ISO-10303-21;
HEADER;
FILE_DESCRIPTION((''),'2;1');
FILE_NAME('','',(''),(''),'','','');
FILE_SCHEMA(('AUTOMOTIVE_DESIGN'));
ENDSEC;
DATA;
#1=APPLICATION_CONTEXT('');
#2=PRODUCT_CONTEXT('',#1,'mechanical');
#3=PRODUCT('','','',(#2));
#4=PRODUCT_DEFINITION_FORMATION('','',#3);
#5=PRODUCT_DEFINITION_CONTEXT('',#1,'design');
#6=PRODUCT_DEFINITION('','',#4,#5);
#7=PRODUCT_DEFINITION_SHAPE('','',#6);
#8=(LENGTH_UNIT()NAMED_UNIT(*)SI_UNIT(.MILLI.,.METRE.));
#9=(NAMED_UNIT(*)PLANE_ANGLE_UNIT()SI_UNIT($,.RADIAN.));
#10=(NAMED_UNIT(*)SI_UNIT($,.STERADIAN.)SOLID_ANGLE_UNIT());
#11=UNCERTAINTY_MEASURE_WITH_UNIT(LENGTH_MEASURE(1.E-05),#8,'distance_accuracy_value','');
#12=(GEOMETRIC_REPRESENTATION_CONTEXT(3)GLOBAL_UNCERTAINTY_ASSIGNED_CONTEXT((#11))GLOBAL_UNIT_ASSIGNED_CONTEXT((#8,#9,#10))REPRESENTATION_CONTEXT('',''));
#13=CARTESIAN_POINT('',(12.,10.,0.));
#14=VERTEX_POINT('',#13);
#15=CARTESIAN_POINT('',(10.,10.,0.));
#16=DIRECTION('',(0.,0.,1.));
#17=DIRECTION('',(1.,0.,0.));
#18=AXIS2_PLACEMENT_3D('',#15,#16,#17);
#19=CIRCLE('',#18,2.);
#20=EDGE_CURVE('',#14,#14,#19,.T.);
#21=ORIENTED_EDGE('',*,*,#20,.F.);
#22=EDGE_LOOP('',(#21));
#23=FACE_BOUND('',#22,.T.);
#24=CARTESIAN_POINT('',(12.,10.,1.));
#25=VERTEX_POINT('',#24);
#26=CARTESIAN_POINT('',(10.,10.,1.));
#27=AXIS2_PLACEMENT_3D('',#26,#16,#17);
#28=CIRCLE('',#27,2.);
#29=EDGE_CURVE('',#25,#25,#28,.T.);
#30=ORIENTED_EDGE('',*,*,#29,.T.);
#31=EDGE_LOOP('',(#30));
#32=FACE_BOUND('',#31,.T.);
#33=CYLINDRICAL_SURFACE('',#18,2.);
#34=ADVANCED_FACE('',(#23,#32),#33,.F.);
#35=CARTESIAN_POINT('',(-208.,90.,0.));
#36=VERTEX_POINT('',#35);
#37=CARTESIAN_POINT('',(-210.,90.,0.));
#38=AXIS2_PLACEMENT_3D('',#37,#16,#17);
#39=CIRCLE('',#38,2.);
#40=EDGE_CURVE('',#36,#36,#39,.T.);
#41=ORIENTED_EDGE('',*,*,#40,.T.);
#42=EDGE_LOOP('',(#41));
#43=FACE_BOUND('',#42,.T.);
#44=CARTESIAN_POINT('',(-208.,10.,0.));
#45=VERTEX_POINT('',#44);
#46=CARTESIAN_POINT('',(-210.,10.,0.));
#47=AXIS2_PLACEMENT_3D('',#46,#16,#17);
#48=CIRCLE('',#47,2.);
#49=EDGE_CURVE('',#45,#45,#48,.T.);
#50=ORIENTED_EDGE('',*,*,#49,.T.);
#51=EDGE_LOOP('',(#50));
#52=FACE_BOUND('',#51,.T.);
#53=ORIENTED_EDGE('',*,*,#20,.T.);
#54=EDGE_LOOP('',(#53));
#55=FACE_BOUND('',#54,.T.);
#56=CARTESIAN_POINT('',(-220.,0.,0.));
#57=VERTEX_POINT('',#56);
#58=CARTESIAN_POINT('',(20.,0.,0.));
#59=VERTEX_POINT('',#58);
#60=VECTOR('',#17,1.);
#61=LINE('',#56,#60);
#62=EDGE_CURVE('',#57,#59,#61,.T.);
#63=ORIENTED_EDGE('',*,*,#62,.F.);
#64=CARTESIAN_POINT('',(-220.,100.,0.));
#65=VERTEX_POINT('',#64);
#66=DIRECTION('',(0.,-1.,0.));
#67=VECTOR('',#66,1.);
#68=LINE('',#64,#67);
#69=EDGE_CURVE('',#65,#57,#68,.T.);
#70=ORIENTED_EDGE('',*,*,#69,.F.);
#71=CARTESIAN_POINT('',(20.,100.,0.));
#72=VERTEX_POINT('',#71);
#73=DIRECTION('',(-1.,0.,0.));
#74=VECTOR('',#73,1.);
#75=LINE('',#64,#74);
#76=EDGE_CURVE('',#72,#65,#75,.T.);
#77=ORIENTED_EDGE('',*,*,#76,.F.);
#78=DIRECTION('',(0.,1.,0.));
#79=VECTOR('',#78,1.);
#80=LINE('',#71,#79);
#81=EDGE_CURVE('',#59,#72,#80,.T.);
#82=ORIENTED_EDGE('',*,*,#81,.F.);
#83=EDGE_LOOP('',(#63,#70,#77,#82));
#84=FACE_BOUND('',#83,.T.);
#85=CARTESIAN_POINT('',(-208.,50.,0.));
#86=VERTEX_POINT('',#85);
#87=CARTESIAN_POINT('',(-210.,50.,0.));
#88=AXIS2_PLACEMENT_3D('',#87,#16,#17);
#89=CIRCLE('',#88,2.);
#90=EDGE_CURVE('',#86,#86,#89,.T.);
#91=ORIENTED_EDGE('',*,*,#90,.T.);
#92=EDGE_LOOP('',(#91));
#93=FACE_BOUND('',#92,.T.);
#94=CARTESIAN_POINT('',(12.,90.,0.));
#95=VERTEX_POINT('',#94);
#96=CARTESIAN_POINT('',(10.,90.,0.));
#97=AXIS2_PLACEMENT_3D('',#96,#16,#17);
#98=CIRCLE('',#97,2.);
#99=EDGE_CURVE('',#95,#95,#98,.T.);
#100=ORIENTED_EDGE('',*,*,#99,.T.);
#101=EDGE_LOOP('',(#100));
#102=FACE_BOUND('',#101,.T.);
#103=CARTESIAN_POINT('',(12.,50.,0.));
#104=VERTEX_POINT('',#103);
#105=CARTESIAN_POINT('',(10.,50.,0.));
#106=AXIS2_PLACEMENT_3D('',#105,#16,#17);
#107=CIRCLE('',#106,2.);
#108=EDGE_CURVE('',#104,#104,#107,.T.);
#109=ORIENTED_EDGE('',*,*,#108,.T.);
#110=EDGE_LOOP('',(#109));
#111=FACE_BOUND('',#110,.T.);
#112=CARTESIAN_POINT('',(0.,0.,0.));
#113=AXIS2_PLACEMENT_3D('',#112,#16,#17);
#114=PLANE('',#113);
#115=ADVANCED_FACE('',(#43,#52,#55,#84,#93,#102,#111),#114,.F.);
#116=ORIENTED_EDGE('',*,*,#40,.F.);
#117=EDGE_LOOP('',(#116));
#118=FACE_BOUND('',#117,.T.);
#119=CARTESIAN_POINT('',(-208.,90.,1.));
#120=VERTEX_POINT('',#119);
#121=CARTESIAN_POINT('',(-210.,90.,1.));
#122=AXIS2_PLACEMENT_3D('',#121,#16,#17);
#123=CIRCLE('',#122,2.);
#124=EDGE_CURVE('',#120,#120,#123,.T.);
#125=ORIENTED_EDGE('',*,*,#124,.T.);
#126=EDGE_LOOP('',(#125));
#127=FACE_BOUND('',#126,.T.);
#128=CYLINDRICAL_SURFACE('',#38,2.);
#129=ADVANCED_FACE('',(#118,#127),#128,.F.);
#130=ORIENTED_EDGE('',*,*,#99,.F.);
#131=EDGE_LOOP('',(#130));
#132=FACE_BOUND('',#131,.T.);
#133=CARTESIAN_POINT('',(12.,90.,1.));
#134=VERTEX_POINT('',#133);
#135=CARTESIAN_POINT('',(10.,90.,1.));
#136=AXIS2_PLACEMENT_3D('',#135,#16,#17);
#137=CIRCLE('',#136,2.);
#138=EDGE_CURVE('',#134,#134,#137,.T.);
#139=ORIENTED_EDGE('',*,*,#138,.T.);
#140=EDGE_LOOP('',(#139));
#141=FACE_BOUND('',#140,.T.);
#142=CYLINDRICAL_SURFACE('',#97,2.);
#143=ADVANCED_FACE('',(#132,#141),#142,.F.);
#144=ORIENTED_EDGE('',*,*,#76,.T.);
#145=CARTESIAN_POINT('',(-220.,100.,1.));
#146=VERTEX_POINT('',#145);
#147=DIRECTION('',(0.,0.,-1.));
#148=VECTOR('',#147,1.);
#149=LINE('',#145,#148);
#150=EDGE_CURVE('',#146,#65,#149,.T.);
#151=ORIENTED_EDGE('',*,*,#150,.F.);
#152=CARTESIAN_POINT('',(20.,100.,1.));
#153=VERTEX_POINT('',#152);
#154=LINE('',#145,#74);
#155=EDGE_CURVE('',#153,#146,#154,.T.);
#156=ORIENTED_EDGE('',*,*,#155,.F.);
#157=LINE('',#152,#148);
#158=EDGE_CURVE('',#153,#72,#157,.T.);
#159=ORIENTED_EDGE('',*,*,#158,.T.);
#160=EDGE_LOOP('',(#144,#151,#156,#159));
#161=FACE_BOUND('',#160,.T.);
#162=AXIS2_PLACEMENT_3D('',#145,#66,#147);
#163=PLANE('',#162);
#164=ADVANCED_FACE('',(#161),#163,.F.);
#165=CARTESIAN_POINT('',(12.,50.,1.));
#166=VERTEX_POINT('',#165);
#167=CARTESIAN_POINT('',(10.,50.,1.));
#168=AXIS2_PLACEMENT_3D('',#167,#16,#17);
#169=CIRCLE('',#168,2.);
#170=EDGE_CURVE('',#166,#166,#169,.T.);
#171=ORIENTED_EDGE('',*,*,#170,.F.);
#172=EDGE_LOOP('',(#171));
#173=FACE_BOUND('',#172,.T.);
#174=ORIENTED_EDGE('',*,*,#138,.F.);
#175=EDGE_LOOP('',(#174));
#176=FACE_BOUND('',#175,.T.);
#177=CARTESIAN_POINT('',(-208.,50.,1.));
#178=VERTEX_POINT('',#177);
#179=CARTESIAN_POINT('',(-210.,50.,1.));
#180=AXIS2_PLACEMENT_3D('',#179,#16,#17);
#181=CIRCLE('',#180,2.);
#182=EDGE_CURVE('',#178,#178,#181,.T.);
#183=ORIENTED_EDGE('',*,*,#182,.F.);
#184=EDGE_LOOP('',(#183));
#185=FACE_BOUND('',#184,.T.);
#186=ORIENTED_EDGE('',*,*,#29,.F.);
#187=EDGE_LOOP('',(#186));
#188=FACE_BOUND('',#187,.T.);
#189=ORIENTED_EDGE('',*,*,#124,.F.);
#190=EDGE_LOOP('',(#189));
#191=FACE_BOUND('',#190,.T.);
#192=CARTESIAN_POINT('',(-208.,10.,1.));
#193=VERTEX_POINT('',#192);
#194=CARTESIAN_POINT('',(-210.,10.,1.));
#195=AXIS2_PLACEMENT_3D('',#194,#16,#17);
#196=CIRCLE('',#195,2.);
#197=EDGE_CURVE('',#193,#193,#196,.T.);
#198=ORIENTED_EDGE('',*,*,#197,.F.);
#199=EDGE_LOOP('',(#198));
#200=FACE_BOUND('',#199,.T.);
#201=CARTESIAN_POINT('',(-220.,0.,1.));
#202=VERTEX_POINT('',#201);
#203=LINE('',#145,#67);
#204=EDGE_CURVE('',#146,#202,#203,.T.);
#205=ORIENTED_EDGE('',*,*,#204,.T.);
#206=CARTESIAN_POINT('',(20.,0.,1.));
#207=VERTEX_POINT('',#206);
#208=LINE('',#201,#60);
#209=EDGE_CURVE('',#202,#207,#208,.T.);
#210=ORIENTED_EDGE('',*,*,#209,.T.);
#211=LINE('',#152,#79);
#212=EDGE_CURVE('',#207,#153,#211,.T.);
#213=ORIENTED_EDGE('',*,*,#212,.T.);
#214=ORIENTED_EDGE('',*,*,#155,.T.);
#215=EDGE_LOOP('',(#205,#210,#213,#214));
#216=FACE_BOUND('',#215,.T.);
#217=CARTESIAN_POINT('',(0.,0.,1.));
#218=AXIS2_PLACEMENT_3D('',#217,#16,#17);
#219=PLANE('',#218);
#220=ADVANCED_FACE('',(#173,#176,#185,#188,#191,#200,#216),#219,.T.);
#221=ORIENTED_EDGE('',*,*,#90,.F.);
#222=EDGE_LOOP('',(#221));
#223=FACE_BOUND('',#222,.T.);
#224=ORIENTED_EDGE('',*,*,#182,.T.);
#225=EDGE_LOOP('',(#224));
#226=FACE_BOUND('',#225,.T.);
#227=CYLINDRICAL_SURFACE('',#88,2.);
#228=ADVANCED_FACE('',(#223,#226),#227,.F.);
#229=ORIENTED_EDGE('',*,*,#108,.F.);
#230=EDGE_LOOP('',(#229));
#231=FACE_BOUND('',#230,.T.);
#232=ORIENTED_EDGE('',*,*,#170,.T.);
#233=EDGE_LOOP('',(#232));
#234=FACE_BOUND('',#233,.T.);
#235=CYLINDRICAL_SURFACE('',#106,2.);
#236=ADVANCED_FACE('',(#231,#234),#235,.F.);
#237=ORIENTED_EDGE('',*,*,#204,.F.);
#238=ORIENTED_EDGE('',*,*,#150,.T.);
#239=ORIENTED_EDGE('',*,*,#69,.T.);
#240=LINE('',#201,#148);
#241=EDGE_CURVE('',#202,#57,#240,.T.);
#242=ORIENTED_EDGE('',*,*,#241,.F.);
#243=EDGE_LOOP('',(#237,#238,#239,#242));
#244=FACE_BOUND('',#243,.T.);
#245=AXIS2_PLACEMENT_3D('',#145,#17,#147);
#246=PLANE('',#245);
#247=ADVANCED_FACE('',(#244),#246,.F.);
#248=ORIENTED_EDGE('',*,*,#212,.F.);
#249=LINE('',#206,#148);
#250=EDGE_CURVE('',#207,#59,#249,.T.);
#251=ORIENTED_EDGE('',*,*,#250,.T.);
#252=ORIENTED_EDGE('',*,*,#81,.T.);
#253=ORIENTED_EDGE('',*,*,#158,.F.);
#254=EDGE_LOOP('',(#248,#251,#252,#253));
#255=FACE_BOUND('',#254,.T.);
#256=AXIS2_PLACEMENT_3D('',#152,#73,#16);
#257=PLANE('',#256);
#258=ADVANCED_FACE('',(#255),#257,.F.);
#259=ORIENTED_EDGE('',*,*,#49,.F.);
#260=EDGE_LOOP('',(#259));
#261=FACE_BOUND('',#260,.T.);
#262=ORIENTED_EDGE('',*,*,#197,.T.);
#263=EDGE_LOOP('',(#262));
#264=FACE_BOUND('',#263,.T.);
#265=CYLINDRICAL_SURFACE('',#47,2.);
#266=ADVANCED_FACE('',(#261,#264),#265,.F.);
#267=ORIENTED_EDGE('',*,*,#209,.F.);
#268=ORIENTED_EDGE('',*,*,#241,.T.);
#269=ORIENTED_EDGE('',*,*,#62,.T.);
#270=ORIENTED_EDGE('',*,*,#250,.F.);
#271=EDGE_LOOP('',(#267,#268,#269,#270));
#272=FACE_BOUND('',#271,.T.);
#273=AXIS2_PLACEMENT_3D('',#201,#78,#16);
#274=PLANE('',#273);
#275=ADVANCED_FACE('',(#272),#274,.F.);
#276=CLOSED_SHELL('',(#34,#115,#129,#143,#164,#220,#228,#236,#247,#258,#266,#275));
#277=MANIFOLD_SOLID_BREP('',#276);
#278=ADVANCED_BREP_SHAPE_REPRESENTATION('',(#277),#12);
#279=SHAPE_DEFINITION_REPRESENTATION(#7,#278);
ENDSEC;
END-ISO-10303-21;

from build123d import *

# Parameters (mm, degrees)
SKETCH1_W           = 240
SKETCH1_H           = 100
BOSS_EXTRUDE1_DEPTH = 1
SKETCH2_R           = 2
CUT_EXTRUDE1_DEPTH  = 2


with BuildPart() as part:
    # Sketch1 → Boss-Extrude1 (new body)
    with BuildSketch(Plane.XY):
        with Locations((-100, 50)):
            Rectangle(SKETCH1_W, SKETCH1_H)
    extrude(amount=BOSS_EXTRUDE1_DEPTH)

    # Sketch2 → Cut-Extrude1 (cut, through all)
    with BuildSketch(Plane.XY.offset(1)):
        with Locations((10, 90)):
            Circle(SKETCH2_R)
        with Locations((10, 50)):
            Circle(SKETCH2_R)
        with Locations((10, 10)):
            Circle(SKETCH2_R)
        with Locations((-210, 10)):
            Circle(SKETCH2_R)
        with Locations((-210, 50)):
            Circle(SKETCH2_R)
        with Locations((-210, 90)):
            Circle(SKETCH2_R)
    extrude(amount=-CUT_EXTRUDE1_DEPTH, mode=Mode.SUBTRACT)


solid = part.part
